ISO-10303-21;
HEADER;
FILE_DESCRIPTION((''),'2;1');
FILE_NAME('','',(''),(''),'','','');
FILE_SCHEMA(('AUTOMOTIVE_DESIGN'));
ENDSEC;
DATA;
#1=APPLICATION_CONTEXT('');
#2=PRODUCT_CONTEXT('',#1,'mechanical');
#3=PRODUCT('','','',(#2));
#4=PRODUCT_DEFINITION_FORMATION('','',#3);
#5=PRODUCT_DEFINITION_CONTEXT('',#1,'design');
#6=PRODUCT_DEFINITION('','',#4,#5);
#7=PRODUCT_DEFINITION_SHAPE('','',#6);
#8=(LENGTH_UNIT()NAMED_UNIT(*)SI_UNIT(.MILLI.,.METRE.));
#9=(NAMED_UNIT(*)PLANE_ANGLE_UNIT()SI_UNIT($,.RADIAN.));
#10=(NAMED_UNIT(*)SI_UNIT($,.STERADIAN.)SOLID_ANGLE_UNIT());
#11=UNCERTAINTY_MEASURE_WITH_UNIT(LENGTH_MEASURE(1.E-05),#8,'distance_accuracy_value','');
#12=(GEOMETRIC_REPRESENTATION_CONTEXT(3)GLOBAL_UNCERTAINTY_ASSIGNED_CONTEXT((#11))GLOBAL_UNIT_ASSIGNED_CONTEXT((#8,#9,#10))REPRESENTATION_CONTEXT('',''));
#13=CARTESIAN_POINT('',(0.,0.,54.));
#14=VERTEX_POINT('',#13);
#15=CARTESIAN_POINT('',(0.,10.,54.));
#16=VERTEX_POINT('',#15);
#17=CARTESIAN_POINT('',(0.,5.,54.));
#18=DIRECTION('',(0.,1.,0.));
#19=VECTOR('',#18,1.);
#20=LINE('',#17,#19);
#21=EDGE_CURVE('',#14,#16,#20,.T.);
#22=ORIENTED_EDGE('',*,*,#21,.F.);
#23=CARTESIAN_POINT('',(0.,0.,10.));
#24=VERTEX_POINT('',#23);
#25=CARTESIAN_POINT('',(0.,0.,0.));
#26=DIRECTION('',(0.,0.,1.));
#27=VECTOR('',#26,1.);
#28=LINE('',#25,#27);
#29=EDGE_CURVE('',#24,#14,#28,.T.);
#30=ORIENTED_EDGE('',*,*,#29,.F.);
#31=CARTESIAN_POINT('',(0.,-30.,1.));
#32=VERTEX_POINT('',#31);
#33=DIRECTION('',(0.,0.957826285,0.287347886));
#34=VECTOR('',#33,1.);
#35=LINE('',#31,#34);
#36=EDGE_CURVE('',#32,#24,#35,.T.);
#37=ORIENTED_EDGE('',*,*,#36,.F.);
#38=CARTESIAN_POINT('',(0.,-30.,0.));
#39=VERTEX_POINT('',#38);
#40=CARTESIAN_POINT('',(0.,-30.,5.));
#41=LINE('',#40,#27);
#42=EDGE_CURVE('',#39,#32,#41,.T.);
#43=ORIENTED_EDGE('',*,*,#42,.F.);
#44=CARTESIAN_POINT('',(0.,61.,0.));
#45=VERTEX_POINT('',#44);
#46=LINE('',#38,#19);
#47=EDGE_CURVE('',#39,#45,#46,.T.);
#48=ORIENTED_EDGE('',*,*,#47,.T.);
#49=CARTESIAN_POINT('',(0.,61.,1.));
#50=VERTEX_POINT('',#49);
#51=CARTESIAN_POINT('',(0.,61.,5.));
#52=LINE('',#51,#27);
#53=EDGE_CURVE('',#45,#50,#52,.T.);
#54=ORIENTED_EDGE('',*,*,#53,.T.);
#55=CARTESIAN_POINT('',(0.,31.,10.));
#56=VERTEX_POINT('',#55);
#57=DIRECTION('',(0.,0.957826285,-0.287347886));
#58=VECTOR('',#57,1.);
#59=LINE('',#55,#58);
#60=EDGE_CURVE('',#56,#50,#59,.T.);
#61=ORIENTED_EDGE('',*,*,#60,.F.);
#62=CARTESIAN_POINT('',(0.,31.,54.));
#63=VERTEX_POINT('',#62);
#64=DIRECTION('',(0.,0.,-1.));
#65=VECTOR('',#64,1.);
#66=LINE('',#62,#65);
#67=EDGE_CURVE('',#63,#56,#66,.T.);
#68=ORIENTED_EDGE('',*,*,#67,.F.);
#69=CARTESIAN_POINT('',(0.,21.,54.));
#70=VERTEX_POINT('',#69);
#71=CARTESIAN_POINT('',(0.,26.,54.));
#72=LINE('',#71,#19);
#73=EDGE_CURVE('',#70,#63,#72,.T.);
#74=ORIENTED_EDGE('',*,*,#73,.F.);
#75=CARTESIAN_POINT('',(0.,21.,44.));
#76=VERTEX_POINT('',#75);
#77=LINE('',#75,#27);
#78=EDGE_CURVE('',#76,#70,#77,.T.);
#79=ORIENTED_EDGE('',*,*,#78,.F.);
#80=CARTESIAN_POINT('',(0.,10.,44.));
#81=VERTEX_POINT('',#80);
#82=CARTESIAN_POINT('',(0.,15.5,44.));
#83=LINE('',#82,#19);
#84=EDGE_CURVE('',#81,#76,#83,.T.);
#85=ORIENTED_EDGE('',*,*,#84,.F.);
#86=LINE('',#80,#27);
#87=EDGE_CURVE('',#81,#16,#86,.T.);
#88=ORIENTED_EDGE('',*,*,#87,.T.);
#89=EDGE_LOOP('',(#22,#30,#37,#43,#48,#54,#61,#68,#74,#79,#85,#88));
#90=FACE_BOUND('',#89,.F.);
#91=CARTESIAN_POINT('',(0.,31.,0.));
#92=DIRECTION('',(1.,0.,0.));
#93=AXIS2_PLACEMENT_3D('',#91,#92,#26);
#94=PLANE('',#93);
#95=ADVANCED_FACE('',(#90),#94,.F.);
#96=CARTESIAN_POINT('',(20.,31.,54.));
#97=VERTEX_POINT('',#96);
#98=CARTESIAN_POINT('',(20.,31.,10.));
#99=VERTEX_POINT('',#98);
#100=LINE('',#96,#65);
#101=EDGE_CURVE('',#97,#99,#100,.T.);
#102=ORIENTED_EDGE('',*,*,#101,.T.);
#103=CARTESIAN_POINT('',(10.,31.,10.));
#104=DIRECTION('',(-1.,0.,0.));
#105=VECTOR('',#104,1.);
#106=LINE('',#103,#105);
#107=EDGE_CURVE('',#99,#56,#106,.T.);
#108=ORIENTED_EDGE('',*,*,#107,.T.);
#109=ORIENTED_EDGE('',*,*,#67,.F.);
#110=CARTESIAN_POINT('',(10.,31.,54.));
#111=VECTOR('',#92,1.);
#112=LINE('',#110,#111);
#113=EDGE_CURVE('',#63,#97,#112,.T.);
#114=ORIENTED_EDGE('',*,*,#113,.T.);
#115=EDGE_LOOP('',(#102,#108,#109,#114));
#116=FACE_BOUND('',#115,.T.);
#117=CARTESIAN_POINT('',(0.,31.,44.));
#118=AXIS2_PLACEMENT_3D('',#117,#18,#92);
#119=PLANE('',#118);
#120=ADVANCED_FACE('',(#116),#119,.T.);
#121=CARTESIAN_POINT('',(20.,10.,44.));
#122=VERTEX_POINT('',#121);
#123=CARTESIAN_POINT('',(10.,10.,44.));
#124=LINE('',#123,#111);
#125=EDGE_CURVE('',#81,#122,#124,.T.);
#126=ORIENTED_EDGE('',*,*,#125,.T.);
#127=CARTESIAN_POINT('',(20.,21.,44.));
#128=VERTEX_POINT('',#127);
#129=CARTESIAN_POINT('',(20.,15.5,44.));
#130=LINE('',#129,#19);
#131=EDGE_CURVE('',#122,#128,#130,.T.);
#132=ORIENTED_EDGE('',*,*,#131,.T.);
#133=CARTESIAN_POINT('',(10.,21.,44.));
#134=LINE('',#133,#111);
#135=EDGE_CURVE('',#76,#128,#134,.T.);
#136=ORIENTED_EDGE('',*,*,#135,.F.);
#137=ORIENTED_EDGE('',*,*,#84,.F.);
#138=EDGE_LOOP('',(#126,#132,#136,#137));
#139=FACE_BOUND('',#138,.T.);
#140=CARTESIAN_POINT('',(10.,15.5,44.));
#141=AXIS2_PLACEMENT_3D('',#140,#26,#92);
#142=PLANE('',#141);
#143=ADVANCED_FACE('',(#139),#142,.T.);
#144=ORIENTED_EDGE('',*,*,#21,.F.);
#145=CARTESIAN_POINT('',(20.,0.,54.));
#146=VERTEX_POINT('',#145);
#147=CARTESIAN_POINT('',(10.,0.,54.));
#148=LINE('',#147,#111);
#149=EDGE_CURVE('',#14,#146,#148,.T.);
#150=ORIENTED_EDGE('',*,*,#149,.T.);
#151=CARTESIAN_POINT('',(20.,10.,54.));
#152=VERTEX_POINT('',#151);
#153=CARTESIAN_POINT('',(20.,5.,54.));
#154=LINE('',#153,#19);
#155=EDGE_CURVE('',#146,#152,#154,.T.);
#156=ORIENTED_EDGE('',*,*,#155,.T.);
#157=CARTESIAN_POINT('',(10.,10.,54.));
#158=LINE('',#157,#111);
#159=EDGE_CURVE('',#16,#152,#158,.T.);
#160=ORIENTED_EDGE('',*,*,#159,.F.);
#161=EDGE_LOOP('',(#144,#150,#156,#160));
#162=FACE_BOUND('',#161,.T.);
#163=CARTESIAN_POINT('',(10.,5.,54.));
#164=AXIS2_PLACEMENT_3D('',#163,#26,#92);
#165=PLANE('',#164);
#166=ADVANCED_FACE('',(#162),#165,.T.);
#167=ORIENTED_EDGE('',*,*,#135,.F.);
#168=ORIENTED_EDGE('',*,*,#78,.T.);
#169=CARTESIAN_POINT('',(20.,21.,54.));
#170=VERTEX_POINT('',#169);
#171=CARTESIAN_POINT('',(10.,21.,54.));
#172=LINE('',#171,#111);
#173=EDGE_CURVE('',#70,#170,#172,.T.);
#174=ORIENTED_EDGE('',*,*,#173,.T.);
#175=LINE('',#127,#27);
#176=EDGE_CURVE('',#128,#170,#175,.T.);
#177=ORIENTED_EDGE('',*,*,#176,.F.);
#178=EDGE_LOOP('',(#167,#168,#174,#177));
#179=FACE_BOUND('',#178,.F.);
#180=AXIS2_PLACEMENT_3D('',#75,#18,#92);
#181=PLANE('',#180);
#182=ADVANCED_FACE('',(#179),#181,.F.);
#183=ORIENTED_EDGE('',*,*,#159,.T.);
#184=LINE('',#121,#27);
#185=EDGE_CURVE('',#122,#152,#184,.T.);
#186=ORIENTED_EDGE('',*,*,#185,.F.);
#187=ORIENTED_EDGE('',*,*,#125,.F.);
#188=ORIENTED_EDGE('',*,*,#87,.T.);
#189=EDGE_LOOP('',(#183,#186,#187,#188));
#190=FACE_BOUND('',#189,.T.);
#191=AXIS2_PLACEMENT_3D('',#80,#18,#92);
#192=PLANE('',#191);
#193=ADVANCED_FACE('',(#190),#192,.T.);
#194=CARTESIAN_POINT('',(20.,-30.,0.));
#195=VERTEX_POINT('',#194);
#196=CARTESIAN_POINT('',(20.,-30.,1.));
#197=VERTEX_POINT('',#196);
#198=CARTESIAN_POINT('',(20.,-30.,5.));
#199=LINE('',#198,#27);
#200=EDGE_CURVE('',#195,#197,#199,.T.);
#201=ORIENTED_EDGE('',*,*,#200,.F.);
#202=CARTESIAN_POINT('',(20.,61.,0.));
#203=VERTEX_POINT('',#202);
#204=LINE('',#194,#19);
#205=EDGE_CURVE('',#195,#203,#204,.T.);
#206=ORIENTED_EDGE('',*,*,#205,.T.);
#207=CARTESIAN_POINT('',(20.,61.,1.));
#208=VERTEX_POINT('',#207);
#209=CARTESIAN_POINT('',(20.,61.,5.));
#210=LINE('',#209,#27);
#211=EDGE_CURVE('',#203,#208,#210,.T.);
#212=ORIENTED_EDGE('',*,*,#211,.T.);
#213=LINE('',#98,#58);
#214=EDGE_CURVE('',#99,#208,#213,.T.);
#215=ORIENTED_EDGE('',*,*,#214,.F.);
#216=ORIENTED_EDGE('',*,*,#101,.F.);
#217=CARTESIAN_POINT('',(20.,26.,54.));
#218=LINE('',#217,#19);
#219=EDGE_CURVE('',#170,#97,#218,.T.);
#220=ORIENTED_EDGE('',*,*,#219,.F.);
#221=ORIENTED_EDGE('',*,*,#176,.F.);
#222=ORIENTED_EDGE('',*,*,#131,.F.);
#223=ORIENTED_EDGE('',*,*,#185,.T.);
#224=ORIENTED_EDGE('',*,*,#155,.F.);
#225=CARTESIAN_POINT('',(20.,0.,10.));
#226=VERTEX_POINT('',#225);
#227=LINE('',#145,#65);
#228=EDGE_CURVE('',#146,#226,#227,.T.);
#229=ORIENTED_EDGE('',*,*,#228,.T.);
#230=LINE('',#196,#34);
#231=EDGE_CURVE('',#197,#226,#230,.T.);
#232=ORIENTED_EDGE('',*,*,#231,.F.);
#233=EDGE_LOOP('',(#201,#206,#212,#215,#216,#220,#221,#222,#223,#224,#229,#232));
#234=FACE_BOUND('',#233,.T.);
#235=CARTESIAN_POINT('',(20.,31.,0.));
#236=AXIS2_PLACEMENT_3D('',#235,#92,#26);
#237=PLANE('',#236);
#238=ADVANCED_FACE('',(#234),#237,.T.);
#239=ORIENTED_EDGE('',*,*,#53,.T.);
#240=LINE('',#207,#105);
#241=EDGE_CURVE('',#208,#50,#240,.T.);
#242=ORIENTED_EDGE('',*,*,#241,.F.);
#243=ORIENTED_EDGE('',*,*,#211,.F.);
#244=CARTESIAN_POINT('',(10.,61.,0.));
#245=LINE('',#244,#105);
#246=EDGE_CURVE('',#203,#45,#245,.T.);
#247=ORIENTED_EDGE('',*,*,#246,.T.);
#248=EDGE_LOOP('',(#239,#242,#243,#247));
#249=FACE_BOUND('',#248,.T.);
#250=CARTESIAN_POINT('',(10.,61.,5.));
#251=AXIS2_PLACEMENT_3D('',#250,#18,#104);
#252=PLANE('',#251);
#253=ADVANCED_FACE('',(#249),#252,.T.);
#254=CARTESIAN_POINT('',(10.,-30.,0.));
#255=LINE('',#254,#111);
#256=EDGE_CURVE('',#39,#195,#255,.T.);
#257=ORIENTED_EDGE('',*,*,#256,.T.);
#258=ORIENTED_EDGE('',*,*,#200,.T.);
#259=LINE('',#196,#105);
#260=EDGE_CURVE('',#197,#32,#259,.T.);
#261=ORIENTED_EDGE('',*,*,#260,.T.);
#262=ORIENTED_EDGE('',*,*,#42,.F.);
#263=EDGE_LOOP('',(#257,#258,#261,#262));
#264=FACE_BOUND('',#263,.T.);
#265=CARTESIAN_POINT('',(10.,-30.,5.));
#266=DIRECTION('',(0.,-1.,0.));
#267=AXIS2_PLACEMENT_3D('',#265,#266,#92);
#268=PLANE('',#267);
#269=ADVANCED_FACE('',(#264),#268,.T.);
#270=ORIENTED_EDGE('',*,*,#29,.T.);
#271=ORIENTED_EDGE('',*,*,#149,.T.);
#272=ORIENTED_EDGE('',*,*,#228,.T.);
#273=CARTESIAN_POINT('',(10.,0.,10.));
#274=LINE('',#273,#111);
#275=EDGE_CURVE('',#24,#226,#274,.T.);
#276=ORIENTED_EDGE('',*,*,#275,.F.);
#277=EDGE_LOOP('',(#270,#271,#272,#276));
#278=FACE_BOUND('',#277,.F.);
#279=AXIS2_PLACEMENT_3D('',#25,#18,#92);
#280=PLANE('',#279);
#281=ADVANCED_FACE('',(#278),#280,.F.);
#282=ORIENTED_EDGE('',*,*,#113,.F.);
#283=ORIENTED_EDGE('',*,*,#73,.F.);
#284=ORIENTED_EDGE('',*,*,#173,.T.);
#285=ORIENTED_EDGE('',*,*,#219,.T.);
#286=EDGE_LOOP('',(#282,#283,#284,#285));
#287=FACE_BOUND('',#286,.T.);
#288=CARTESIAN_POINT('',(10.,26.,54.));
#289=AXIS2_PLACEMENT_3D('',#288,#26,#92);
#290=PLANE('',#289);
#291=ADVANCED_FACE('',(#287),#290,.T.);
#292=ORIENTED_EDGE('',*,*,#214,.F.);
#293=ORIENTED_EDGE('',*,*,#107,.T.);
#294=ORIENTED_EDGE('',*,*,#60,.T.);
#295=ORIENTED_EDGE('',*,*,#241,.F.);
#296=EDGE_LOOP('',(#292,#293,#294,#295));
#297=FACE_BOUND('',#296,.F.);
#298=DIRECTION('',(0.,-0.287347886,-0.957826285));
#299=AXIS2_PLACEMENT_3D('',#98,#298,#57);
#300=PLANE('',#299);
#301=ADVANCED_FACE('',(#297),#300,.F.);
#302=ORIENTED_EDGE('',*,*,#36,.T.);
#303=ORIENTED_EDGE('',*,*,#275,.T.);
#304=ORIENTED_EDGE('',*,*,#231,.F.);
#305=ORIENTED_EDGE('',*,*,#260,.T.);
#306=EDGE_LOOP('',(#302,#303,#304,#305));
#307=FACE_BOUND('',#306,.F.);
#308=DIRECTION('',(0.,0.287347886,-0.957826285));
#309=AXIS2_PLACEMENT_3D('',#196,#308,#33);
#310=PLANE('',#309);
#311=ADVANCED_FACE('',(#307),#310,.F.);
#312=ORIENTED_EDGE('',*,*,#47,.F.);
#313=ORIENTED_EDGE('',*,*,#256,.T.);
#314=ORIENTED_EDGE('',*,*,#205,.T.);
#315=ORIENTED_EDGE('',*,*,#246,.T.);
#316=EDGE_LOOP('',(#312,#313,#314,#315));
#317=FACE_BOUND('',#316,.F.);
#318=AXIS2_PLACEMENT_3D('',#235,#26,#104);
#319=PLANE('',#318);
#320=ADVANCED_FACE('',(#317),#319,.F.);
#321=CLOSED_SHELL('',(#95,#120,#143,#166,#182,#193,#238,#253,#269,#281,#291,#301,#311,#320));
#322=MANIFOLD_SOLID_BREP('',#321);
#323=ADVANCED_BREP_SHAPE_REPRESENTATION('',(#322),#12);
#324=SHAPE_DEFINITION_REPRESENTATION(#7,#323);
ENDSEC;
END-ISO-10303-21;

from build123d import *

# Parameters (mm, degrees)
F0_W     = 20
F0_H     = 31
F1_DEPTH = 44
F2_W     = 20
F2_H     = 10
F3_DEPTH = 10
F4_W     = 20
F4_H     = 10
F5_DEPTH = 30
F6_W     = 20
F6_H     = 10
F7_DEPTH = 30
F9_DEPTH = 20


with BuildPart() as f1:
    # F0 (on Top) → F1 (new body)
    with BuildSketch(Plane.XY):
        with Locations((10, 15.5)):
            Rectangle(F0_W, F0_H)
    extrude(amount=F1_DEPTH)

    # F2 (on face) → F3 (join)
    with BuildSketch(Plane.XY.offset(44)):
        with Locations((10, 26)):
            Rectangle(F2_W, F2_H)
        with Locations((10, 5)):
            Rectangle(F2_W, F2_H)
    extrude(amount=F3_DEPTH)

    # F4 (on face) → F5 (join)
    with BuildSketch(Plane.XZ):
        with Locations((10, 5)):
            Rectangle(F4_W, F4_H)
    extrude(amount=F5_DEPTH)

    # F6 (on face) → F7 (join)
    with BuildSketch(Plane(origin=(0, 31, 0), x_dir=(-1, 0, 0), z_dir=(0, 1, 0))):
        with Locations((-10, 5)):
            Rectangle(F6_W, F6_H)
    extrude(amount=F7_DEPTH)

    # F8 (on face) → F9 (cut)
    with BuildSketch(Plane.YZ.offset(20)):
        Polygon((-30, 1), (0, 10), (-30, 10), align=None)
        Polygon((31, 10), (61, 1), (61, 10), align=None)
    extrude(amount=-F9_DEPTH, mode=Mode.SUBTRACT)


solid = f1.part
